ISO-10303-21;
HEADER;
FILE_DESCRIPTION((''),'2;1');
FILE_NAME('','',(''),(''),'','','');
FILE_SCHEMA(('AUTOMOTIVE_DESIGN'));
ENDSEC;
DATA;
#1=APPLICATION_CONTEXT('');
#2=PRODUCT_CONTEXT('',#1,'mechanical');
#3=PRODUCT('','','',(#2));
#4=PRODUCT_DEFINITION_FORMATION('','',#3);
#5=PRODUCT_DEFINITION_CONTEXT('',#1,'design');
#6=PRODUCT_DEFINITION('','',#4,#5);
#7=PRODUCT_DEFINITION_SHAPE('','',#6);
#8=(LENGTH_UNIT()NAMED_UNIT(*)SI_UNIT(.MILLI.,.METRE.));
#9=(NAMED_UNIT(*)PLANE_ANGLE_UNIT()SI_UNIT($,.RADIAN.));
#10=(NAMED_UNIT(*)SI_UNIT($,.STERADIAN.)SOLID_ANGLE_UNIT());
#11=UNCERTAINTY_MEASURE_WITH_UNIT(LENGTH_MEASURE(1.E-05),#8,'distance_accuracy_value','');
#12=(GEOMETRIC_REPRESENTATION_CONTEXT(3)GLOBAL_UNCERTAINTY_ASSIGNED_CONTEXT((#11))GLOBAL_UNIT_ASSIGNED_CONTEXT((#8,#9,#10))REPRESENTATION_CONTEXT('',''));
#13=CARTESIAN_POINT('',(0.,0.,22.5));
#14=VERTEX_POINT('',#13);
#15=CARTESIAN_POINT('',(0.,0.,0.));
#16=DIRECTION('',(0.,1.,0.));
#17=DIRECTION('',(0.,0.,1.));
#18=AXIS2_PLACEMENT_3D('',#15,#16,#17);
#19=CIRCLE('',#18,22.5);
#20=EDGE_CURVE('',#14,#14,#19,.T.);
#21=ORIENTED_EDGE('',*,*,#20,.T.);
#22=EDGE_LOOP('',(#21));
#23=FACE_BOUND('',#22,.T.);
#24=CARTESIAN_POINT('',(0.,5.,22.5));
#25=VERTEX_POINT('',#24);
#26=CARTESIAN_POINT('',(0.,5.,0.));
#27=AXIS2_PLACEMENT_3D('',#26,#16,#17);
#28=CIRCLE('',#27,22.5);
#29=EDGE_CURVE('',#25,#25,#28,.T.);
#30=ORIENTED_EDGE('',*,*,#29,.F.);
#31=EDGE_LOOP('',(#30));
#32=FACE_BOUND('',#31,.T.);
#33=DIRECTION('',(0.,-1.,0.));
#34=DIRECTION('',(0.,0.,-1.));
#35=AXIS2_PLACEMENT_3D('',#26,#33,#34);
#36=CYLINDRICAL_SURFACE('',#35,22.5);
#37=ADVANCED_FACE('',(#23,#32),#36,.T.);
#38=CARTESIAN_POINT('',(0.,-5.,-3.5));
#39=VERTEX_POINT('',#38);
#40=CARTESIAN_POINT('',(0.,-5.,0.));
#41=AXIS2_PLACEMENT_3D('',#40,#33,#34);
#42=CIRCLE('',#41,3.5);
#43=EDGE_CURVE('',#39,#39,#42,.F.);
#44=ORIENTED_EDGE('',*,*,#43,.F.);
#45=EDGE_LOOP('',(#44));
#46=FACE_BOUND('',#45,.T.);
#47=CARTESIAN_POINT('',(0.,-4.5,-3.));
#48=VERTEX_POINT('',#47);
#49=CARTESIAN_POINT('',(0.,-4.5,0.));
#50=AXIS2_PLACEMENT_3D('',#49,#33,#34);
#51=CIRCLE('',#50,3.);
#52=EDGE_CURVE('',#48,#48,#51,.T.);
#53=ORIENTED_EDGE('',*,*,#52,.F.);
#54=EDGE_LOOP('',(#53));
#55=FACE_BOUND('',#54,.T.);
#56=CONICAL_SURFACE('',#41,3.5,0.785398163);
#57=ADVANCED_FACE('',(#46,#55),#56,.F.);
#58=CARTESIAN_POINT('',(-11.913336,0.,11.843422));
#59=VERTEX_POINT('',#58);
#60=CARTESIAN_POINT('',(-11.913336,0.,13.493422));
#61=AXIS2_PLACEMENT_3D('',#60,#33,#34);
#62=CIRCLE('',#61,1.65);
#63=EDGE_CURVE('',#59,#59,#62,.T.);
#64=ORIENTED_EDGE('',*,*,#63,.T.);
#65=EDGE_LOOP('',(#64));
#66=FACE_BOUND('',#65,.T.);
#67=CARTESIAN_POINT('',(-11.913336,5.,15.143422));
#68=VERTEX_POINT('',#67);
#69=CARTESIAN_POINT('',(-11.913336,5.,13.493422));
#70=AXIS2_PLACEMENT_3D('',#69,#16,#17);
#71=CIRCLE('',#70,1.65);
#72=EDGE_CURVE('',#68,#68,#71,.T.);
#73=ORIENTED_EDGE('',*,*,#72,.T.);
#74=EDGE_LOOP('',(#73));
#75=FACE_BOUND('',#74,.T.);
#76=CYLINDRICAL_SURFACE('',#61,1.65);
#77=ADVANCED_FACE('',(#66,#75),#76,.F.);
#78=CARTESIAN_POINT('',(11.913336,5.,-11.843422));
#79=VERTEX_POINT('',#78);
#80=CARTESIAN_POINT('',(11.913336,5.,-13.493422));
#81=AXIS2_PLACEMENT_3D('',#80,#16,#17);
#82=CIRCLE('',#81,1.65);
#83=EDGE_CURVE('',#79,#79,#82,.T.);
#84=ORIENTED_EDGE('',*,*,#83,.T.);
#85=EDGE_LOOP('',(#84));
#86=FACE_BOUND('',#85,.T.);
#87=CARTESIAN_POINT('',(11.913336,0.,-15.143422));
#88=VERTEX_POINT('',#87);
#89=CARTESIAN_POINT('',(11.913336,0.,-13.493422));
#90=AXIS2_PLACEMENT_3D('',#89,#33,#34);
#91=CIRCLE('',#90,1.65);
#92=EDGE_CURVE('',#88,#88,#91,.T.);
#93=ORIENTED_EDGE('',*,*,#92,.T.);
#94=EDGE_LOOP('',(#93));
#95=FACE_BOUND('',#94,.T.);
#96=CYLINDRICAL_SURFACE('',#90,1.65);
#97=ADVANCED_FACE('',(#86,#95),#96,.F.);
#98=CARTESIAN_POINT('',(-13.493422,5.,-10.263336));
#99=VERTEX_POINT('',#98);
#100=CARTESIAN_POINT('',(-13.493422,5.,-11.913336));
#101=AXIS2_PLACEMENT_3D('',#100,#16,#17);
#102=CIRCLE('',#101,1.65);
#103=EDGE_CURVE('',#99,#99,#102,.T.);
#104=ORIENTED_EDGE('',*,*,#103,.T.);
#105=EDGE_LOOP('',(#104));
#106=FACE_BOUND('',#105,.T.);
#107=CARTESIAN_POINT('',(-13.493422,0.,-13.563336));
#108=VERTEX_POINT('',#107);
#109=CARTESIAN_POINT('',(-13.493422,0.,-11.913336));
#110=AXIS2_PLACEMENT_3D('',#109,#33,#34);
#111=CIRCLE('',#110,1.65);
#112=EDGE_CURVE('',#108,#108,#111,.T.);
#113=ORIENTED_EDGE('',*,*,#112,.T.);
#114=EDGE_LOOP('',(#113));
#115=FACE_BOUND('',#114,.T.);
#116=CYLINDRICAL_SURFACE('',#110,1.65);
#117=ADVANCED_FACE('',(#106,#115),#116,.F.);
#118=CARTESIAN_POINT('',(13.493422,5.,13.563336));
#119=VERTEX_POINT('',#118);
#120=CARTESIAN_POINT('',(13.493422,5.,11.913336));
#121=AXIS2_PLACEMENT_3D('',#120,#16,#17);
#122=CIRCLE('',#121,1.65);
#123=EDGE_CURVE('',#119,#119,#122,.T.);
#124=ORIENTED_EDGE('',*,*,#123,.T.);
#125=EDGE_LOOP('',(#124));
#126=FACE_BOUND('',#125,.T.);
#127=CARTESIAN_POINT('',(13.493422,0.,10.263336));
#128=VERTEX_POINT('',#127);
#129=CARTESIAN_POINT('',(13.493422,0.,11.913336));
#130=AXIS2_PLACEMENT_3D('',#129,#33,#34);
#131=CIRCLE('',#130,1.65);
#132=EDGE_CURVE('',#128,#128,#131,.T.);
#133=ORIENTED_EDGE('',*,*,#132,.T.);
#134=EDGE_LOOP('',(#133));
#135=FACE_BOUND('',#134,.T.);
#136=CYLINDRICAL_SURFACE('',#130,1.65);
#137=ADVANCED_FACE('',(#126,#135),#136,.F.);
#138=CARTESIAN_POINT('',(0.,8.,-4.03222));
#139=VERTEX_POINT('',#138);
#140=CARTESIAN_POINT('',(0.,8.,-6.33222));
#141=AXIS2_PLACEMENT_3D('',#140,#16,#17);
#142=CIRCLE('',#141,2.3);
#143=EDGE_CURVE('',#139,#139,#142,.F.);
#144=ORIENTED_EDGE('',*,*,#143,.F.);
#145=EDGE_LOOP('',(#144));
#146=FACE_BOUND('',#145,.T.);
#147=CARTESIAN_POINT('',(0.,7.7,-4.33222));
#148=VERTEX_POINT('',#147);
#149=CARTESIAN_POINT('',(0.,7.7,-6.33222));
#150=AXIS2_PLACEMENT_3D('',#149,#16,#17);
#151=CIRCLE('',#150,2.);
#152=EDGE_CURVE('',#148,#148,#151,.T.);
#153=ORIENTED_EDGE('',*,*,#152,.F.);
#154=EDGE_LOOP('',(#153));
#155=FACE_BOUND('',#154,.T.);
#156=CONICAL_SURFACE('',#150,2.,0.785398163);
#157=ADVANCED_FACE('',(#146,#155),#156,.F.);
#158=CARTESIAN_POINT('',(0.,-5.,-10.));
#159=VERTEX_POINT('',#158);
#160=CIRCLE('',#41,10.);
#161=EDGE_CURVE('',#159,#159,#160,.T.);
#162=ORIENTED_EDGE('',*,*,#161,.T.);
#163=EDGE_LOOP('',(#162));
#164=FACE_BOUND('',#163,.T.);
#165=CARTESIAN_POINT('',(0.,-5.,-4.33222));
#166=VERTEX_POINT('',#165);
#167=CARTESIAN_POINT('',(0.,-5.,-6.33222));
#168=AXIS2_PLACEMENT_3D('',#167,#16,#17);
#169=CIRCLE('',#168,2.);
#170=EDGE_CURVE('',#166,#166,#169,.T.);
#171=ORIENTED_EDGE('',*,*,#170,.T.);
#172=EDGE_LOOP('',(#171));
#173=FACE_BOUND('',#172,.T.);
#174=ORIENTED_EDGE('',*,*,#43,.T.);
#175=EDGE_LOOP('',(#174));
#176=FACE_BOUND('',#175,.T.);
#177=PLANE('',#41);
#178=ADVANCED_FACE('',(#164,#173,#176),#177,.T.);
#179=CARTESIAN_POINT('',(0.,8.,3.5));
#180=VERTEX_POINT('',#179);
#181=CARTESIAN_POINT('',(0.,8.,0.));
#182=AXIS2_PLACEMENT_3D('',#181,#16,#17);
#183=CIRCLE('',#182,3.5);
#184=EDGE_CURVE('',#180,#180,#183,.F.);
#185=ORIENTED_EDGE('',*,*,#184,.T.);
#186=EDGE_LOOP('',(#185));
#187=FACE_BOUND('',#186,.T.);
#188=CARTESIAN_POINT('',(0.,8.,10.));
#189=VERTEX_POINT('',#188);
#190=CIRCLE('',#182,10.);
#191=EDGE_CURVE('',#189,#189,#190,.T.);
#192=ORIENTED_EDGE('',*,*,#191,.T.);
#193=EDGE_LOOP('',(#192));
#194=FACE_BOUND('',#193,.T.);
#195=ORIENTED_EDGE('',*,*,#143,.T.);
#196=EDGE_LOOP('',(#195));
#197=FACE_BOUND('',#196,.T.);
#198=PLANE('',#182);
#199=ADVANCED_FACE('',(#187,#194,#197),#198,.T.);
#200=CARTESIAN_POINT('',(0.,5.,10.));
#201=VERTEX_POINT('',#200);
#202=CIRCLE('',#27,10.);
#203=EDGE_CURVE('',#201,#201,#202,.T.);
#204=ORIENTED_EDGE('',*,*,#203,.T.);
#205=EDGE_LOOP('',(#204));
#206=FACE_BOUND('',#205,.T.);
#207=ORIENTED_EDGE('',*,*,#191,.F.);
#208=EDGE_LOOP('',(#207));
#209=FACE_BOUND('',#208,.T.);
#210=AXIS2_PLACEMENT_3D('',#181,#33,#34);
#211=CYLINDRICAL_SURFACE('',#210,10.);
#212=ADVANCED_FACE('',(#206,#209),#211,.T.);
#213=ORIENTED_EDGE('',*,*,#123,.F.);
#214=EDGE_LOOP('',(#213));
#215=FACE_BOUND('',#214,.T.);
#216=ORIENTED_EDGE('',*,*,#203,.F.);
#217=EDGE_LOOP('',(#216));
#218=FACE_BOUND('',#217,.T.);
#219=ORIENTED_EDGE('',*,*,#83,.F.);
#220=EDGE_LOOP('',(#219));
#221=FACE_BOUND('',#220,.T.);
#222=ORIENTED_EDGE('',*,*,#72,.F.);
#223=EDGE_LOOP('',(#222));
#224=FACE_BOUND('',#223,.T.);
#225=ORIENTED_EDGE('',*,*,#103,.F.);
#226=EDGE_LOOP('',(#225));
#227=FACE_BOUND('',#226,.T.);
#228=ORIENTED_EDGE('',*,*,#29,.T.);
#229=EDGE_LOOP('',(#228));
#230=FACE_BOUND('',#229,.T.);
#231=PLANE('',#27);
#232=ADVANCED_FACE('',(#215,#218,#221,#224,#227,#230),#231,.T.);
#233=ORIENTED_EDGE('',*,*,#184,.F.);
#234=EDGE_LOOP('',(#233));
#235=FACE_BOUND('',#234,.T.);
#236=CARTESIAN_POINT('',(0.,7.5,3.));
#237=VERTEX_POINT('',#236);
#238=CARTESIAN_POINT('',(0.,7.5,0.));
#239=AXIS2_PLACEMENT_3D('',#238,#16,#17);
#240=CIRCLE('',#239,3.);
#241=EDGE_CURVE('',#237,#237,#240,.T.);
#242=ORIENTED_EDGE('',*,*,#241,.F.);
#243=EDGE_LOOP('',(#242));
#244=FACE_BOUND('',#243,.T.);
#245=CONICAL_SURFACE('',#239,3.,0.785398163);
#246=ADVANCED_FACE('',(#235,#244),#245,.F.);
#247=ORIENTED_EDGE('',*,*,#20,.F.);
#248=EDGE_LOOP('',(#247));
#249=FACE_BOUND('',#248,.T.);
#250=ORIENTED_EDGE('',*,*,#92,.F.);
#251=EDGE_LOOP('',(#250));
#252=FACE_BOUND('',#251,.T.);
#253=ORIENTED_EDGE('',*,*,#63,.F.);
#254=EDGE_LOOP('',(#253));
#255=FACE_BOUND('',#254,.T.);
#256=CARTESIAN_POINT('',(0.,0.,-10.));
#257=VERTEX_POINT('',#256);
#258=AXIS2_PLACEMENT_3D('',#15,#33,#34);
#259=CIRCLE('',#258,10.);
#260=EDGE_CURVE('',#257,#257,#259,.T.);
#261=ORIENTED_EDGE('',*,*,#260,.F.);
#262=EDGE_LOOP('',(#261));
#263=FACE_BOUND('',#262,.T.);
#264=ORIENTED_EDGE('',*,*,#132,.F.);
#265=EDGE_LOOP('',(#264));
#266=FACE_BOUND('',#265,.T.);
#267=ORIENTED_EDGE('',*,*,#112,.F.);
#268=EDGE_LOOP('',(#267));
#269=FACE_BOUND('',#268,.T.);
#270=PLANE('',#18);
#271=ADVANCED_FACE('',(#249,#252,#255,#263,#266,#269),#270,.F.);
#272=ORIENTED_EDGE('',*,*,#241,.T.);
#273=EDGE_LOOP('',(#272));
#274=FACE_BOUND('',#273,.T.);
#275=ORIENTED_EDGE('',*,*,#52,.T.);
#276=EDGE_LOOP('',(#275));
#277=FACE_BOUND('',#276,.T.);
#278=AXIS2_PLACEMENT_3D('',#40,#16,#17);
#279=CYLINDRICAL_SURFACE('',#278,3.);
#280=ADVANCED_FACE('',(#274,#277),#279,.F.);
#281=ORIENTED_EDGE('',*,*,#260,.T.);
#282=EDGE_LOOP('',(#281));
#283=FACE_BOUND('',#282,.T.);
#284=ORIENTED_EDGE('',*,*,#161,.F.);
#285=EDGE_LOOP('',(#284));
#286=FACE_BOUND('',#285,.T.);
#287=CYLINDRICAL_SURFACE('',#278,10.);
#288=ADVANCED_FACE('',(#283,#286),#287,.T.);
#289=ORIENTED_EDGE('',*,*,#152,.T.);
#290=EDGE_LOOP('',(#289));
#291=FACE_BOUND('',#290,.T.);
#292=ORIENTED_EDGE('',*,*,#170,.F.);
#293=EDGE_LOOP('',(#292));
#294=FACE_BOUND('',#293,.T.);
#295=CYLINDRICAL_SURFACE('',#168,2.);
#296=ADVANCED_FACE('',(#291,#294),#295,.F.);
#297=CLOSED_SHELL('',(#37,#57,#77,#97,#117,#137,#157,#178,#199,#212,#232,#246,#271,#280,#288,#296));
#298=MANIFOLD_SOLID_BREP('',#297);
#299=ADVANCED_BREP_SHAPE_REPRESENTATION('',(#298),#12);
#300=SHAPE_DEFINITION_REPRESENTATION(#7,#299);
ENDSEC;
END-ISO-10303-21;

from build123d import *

# Parameters (mm, degrees)
SKETCH_1_R               = 22.5
EXTRUDE_1_DEPTH          = 5
SKETCH_2_R               = 10
EXTRUDE_2_DEPTH          = 5
EXTRUDE_START            = 3
SKETCH_4_R               = 10
EXTRUDE_3_DEPTH          = 3
CUT_EXTRUDE_2_DEPTH      = 35.372954485
CUT_EXTRUDE_2_DEPTH_BACK = 35.372954485
SKETCH_5_R               = 3
HOLE_WIZARD_M4_3_D       = 3.3
SKETCH_10_R              = 2
CUT_EXTRUDE_3_DEPTH      = 35.372954485
CHAMFER_2_SIZE           = 0.5
CHAMFER_4_SIZE           = 0.3


with BuildPart() as part:
    # 草图1 → 凸台-拉伸1 (new body)
    with BuildSketch(Plane(origin=(0, 0, 0), x_dir=(1, 0, 0), z_dir=(0, 1, 0))):
        Circle(SKETCH_1_R)
    extrude(amount=EXTRUDE_1_DEPTH)

    # 草图2 → 凸台-拉伸2 (add)
    with BuildSketch(Plane.XZ):
        Circle(SKETCH_2_R)
    extrude(amount=EXTRUDE_2_DEPTH)

    # 草图4 → 凸台-拉伸3 (add)
    with BuildSketch(Plane(origin=(0, 5, 0), x_dir=(1, 0, 0), z_dir=(0, 1, 0)).offset(EXTRUDE_START)):
        Circle(SKETCH_4_R)
    extrude(amount=-EXTRUDE_3_DEPTH)

    # 草图5 → 切除-拉伸2 (cut, two sides: drawn at the far end of the back side and taken through both)
    with BuildSketch(Plane(origin=(0, 8, 0), x_dir=(1, 0, 0), z_dir=(0, 1, 0)).offset(-CUT_EXTRUDE_2_DEPTH_BACK)):
        Circle(SKETCH_5_R)
    extrude(amount=CUT_EXTRUDE_2_DEPTH + CUT_EXTRUDE_2_DEPTH_BACK, mode=Mode.SUBTRACT)

    # M4 螺纹孔3 (through all)
    with Locations(Plane.XZ):
        with Locations((11.913336036, -13.493421527), (13.493421527, 11.913336036), (-11.913336036, 13.493421527), (-13.493421527, -11.913336036)):
            Hole(HOLE_WIZARD_M4_3_D / 2)

    # 草图10 → 切除-拉伸3 (cut, through all)
    with BuildSketch(Plane(origin=(0, 8, 0), x_dir=(1, 0, 0), z_dir=(0, 1, 0))):
        with Locations((0, 6.332219822)):
            Circle(SKETCH_10_R)
    extrude(amount=-CUT_EXTRUDE_3_DEPTH, mode=Mode.SUBTRACT)

    # 倒角2
    chamfer_2_edges = [part.edges().sort_by_distance(p)[0] for p in [
        (-3, -5, 0),
        (-3, 8, 0),
    ]]
    chamfer(chamfer_2_edges, length=CHAMFER_2_SIZE)

    # 倒角4
    chamfer_4_edges = [part.edges().sort_by_distance(p)[0] for p in [
        (-2, 8, -6.332219822),
    ]]
    chamfer(chamfer_4_edges, length=CHAMFER_4_SIZE)


solid = part.part
